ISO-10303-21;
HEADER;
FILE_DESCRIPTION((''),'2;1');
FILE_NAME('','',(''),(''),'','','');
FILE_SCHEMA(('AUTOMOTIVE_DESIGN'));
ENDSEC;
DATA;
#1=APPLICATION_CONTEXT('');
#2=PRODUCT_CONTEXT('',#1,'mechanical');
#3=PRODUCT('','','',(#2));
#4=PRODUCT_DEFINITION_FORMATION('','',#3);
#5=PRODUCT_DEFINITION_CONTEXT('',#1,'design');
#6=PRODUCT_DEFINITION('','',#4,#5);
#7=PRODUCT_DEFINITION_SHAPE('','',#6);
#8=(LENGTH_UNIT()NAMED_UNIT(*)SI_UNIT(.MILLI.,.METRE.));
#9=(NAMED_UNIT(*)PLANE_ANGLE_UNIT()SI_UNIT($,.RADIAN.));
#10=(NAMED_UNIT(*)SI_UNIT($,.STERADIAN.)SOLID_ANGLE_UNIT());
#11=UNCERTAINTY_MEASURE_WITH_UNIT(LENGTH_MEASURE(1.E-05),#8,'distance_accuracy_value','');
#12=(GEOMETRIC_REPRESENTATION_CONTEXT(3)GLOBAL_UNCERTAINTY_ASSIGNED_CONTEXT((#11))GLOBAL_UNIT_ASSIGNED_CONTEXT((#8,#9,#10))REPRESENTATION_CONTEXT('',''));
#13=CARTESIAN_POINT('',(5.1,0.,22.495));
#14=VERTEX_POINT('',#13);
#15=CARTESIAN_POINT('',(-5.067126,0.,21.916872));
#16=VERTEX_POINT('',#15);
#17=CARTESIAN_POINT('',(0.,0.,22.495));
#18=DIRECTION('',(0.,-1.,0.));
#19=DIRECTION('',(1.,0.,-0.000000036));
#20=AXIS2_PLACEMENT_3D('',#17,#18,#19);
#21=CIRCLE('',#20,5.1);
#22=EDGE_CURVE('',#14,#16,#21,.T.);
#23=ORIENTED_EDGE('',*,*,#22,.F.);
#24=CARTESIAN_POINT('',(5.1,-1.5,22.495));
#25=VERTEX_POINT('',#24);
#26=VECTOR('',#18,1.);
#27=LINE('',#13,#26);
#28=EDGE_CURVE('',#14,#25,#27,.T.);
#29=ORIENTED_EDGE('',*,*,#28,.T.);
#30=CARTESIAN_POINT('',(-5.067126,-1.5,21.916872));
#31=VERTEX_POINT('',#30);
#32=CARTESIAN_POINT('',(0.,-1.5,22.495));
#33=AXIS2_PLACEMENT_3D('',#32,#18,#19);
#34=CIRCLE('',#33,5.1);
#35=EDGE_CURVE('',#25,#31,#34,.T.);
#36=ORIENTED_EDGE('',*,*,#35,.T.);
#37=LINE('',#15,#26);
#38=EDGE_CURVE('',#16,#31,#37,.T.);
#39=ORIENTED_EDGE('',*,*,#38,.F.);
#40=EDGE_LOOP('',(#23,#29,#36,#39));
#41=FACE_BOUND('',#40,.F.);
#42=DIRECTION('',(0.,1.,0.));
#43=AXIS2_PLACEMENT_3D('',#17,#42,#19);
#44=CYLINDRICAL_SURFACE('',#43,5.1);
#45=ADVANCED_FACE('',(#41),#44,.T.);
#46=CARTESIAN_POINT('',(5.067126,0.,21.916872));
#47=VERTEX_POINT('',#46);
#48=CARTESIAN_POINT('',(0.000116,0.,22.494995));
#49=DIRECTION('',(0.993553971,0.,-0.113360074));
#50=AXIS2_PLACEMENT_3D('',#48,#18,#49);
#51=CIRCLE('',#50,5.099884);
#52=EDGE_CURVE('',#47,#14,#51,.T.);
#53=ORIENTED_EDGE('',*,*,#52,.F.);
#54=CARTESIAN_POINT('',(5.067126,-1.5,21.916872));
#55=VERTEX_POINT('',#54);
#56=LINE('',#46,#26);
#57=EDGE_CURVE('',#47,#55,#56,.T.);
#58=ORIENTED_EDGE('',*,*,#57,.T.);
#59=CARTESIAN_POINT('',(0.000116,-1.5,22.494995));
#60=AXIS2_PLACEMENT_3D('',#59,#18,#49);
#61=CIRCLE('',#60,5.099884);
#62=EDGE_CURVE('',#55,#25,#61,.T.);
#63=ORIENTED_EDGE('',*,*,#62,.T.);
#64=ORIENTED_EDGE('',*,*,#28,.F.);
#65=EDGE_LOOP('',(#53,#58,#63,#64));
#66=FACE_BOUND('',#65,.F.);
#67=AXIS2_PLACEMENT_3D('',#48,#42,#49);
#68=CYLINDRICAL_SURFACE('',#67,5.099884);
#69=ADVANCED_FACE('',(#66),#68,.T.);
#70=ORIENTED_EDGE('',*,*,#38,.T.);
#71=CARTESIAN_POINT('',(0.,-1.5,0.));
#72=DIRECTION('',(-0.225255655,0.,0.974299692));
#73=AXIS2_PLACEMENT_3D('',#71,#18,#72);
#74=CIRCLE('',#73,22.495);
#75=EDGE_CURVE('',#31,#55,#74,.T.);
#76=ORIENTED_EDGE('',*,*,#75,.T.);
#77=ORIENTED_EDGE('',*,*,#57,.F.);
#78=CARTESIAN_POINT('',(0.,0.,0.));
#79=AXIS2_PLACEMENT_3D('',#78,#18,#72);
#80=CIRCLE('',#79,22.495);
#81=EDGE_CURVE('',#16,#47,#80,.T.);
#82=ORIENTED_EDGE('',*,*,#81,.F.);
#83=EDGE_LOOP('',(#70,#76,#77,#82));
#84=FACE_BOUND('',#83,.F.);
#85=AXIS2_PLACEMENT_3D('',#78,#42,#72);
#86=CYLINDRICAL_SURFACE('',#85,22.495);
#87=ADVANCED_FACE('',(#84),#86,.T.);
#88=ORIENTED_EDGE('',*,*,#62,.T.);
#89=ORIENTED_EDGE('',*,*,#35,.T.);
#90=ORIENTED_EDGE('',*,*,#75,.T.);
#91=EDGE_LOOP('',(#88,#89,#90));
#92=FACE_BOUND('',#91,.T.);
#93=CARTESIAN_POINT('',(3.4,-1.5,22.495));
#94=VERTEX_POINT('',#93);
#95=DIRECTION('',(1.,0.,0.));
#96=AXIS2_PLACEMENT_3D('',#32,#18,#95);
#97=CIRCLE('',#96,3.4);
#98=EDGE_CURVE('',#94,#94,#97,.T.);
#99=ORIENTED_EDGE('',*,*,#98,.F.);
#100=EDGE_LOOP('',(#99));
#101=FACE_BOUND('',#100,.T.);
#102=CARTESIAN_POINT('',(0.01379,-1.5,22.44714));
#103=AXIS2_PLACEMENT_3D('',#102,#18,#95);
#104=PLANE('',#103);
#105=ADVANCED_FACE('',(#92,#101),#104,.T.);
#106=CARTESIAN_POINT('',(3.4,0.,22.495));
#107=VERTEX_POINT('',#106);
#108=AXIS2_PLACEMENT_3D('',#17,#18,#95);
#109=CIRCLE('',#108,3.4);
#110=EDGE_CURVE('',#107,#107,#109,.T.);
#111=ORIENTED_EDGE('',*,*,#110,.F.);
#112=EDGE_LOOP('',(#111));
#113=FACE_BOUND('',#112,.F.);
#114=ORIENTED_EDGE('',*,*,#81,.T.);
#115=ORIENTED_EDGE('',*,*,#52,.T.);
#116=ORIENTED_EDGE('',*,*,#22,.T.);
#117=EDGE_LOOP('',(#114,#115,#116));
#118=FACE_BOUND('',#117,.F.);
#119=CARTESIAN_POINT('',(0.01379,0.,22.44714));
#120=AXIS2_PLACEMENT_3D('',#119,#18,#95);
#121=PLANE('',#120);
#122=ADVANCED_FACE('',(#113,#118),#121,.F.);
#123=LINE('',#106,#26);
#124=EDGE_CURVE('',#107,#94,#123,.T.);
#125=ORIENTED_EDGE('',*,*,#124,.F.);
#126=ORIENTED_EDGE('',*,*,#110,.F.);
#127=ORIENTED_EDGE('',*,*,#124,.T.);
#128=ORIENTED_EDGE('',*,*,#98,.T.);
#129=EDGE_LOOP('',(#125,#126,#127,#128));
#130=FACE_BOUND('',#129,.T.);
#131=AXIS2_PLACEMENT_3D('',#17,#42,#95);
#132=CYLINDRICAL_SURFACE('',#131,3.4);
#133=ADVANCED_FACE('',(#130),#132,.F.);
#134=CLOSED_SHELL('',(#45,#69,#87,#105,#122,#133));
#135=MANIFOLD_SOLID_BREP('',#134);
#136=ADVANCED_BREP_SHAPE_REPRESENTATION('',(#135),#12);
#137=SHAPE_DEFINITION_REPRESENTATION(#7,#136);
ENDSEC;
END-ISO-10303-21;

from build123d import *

# Parameters (mm, degrees)
F0_R     = 3.4
F1_DEPTH = 1.5


with BuildPart() as f1:
    # F0 (on Front) → F1 (new body)
    with BuildSketch(Plane.XZ):
        with BuildLine():
            ThreePointArc((5.1, 22.495), (-0.289531, 27.586775), (-5.067126, 21.916872))
            ThreePointArc((-5.067126, 21.916872), (0, 17.395), (5.067126, 21.916872))
            ThreePointArc((5.067126, 21.916872), (5.091775, 22.205469), (5.1, 22.495))
        make_face()
        with Locations((0, 22.495)):
            Circle(F0_R, mode=Mode.SUBTRACT)
        with BuildLine():
            ThreePointArc((5.067126, 21.916872), (0, 17.395), (-5.067126, 21.916872))
            ThreePointArc((-5.067126, 21.916872), (0, -22.495), (5.067126, 21.916872))
        make_face()
    extrude(amount=F1_DEPTH)


solid = f1.part
